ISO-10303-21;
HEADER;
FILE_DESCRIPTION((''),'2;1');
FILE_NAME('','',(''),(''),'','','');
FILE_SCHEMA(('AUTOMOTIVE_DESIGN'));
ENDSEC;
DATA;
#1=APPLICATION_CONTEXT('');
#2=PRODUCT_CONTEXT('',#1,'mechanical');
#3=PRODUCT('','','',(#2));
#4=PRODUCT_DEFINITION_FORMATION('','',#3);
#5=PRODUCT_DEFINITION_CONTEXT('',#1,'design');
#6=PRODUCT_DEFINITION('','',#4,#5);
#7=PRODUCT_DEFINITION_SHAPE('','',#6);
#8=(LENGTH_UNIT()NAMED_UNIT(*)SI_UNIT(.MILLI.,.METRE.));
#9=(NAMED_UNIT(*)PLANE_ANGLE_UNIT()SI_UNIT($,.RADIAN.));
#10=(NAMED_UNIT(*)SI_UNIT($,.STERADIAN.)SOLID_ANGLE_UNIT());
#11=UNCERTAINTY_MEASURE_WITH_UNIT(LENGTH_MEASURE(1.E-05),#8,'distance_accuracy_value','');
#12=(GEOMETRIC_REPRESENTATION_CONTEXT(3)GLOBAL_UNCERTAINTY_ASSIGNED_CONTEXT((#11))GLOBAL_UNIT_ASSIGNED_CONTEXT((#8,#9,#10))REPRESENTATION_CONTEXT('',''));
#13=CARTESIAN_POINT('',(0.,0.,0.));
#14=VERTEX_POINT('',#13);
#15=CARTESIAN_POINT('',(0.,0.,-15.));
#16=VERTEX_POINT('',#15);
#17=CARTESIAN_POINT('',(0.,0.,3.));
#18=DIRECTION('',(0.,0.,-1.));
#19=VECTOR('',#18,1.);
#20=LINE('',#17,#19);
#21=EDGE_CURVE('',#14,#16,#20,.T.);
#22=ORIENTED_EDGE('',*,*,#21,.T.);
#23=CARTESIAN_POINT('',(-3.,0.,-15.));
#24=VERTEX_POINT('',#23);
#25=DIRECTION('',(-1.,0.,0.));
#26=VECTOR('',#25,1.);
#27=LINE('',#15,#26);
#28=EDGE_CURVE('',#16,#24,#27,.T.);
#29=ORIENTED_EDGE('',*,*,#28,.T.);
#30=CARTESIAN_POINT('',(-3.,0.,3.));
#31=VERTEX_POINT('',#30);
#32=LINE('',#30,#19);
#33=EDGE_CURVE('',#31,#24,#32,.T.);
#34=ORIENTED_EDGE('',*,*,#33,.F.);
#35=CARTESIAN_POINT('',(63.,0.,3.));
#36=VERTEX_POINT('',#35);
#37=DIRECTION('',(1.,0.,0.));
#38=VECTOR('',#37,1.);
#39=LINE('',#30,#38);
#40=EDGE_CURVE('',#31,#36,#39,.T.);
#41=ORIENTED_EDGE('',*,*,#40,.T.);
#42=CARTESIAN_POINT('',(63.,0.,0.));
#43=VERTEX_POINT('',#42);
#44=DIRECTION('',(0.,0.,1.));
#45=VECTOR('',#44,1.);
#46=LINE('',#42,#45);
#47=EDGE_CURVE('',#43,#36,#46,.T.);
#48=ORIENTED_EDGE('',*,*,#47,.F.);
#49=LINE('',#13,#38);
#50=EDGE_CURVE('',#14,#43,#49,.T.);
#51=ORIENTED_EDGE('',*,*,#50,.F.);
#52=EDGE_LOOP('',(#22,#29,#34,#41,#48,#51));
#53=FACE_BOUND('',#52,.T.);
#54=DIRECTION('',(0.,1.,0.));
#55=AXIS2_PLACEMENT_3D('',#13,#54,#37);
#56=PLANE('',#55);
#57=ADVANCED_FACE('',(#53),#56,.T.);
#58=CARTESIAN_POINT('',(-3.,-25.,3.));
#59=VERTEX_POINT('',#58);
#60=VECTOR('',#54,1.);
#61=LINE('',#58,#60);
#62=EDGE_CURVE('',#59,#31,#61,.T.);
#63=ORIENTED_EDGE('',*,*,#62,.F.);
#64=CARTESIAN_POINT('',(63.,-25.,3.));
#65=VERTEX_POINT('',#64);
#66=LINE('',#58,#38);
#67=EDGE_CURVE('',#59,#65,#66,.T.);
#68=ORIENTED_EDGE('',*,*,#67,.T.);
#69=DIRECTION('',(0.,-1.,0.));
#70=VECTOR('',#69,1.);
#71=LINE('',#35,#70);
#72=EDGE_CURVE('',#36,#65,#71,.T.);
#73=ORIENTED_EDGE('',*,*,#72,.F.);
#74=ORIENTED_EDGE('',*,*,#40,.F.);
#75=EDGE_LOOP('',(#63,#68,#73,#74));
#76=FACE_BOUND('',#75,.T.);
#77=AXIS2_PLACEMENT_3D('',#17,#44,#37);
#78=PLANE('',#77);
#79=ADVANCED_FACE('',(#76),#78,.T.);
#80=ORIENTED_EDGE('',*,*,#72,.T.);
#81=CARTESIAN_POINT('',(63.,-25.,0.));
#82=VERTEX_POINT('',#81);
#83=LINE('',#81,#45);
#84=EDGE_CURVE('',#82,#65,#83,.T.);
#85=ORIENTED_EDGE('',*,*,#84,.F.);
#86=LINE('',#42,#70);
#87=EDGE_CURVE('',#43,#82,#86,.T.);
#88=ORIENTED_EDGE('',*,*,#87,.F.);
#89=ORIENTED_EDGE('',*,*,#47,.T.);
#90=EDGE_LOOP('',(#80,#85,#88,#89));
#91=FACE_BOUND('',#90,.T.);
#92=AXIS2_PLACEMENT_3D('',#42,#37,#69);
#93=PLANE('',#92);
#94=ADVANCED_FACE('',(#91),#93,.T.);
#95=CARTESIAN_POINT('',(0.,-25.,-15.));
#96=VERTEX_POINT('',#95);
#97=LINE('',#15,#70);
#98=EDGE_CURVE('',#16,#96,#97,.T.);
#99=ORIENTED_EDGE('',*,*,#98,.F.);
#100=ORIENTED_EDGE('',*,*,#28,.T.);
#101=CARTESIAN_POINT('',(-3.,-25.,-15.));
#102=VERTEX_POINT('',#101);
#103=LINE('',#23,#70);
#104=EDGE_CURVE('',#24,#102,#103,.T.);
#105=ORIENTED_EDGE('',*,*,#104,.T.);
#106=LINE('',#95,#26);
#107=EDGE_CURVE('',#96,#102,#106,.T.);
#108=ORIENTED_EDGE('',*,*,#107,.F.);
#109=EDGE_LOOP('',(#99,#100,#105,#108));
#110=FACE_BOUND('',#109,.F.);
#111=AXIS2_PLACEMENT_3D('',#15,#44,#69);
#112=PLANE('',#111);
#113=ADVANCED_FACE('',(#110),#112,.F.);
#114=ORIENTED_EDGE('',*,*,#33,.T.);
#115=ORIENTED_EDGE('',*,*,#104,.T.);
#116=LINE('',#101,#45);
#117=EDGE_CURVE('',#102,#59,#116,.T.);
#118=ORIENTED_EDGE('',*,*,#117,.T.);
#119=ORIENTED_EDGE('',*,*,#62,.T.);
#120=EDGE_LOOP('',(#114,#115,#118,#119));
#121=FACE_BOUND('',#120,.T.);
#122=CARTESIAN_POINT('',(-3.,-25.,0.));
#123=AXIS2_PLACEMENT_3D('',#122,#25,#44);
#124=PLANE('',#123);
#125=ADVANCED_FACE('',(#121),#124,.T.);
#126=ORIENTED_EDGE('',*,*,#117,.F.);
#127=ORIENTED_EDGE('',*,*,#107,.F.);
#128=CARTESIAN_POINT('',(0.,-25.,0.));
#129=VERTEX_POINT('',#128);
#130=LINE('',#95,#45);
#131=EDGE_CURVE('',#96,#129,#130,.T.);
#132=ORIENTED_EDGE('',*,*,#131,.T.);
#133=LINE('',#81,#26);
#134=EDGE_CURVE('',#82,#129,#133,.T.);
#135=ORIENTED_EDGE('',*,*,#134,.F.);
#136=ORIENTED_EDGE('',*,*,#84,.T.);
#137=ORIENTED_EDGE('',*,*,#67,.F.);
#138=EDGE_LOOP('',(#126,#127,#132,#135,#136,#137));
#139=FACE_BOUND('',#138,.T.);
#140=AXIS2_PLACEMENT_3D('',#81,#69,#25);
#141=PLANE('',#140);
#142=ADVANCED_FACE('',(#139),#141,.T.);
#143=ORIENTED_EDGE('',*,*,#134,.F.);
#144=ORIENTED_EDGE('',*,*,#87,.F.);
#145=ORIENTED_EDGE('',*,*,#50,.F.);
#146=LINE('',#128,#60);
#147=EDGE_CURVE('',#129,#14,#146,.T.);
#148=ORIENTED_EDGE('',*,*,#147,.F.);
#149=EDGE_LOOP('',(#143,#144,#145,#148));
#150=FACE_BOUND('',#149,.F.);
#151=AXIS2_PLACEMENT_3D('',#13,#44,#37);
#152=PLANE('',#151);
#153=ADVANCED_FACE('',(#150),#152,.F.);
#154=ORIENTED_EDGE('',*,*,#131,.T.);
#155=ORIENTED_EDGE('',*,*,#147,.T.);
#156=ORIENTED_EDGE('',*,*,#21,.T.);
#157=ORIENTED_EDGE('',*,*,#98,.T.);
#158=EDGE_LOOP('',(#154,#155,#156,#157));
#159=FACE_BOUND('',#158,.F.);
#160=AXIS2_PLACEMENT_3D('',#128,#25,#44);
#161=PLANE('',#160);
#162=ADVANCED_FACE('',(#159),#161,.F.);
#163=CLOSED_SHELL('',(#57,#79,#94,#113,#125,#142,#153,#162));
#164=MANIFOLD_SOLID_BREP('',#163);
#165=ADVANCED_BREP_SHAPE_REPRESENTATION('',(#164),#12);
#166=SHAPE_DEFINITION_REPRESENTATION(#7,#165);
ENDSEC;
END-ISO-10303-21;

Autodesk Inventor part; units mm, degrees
ref_plane "YZ Plane" through (0, 0, 0) normal (1, 0, 0) x (0, 1, 0)
ref_plane "XZ Plane" through (0, 0, 0) normal (0, 1, 0) x (-1, 0, 0)
ref_plane "XY Plane" through (0, 0, 0) normal (0, 0, 1) x (1, 0, 0)
sketch "Sketch1" plane through (0, 0, 0) normal (0, 0, 1) x (1, 0, 0)
  line L0 (0, 0) -> (63, 0)
  line L1 (63, 0) -> (63, -25)
  line L2 (63, -25) -> (0, -25)
  line L3 (0, -25) -> (0, 0)
  dimension "d0" = 63
  dimension "d1" = 25
extrude "Extrusion1" add sketch "Sketch1" along normal blind 3
sketch "Sketch2" plane through (0, -25, 0) normal (-1, 0, 0) x (0, 0, 1)
  line L0 (3, 0) -> (3, 25) projected
  line L1 (3, 25) -> (-15, 25)
  line L2 (-15, 25) -> (-15, 0)
  line L3 (-15, 0) -> (3, 0)
  line L4 (3, 0) -> (3, 25)
  point P0 (0, 25)
  dimension "d4" = 18
extrude "Extrusion2" add sketch "Sketch2" along normal blind 3
properties part number "arduino array box v04 slot"
